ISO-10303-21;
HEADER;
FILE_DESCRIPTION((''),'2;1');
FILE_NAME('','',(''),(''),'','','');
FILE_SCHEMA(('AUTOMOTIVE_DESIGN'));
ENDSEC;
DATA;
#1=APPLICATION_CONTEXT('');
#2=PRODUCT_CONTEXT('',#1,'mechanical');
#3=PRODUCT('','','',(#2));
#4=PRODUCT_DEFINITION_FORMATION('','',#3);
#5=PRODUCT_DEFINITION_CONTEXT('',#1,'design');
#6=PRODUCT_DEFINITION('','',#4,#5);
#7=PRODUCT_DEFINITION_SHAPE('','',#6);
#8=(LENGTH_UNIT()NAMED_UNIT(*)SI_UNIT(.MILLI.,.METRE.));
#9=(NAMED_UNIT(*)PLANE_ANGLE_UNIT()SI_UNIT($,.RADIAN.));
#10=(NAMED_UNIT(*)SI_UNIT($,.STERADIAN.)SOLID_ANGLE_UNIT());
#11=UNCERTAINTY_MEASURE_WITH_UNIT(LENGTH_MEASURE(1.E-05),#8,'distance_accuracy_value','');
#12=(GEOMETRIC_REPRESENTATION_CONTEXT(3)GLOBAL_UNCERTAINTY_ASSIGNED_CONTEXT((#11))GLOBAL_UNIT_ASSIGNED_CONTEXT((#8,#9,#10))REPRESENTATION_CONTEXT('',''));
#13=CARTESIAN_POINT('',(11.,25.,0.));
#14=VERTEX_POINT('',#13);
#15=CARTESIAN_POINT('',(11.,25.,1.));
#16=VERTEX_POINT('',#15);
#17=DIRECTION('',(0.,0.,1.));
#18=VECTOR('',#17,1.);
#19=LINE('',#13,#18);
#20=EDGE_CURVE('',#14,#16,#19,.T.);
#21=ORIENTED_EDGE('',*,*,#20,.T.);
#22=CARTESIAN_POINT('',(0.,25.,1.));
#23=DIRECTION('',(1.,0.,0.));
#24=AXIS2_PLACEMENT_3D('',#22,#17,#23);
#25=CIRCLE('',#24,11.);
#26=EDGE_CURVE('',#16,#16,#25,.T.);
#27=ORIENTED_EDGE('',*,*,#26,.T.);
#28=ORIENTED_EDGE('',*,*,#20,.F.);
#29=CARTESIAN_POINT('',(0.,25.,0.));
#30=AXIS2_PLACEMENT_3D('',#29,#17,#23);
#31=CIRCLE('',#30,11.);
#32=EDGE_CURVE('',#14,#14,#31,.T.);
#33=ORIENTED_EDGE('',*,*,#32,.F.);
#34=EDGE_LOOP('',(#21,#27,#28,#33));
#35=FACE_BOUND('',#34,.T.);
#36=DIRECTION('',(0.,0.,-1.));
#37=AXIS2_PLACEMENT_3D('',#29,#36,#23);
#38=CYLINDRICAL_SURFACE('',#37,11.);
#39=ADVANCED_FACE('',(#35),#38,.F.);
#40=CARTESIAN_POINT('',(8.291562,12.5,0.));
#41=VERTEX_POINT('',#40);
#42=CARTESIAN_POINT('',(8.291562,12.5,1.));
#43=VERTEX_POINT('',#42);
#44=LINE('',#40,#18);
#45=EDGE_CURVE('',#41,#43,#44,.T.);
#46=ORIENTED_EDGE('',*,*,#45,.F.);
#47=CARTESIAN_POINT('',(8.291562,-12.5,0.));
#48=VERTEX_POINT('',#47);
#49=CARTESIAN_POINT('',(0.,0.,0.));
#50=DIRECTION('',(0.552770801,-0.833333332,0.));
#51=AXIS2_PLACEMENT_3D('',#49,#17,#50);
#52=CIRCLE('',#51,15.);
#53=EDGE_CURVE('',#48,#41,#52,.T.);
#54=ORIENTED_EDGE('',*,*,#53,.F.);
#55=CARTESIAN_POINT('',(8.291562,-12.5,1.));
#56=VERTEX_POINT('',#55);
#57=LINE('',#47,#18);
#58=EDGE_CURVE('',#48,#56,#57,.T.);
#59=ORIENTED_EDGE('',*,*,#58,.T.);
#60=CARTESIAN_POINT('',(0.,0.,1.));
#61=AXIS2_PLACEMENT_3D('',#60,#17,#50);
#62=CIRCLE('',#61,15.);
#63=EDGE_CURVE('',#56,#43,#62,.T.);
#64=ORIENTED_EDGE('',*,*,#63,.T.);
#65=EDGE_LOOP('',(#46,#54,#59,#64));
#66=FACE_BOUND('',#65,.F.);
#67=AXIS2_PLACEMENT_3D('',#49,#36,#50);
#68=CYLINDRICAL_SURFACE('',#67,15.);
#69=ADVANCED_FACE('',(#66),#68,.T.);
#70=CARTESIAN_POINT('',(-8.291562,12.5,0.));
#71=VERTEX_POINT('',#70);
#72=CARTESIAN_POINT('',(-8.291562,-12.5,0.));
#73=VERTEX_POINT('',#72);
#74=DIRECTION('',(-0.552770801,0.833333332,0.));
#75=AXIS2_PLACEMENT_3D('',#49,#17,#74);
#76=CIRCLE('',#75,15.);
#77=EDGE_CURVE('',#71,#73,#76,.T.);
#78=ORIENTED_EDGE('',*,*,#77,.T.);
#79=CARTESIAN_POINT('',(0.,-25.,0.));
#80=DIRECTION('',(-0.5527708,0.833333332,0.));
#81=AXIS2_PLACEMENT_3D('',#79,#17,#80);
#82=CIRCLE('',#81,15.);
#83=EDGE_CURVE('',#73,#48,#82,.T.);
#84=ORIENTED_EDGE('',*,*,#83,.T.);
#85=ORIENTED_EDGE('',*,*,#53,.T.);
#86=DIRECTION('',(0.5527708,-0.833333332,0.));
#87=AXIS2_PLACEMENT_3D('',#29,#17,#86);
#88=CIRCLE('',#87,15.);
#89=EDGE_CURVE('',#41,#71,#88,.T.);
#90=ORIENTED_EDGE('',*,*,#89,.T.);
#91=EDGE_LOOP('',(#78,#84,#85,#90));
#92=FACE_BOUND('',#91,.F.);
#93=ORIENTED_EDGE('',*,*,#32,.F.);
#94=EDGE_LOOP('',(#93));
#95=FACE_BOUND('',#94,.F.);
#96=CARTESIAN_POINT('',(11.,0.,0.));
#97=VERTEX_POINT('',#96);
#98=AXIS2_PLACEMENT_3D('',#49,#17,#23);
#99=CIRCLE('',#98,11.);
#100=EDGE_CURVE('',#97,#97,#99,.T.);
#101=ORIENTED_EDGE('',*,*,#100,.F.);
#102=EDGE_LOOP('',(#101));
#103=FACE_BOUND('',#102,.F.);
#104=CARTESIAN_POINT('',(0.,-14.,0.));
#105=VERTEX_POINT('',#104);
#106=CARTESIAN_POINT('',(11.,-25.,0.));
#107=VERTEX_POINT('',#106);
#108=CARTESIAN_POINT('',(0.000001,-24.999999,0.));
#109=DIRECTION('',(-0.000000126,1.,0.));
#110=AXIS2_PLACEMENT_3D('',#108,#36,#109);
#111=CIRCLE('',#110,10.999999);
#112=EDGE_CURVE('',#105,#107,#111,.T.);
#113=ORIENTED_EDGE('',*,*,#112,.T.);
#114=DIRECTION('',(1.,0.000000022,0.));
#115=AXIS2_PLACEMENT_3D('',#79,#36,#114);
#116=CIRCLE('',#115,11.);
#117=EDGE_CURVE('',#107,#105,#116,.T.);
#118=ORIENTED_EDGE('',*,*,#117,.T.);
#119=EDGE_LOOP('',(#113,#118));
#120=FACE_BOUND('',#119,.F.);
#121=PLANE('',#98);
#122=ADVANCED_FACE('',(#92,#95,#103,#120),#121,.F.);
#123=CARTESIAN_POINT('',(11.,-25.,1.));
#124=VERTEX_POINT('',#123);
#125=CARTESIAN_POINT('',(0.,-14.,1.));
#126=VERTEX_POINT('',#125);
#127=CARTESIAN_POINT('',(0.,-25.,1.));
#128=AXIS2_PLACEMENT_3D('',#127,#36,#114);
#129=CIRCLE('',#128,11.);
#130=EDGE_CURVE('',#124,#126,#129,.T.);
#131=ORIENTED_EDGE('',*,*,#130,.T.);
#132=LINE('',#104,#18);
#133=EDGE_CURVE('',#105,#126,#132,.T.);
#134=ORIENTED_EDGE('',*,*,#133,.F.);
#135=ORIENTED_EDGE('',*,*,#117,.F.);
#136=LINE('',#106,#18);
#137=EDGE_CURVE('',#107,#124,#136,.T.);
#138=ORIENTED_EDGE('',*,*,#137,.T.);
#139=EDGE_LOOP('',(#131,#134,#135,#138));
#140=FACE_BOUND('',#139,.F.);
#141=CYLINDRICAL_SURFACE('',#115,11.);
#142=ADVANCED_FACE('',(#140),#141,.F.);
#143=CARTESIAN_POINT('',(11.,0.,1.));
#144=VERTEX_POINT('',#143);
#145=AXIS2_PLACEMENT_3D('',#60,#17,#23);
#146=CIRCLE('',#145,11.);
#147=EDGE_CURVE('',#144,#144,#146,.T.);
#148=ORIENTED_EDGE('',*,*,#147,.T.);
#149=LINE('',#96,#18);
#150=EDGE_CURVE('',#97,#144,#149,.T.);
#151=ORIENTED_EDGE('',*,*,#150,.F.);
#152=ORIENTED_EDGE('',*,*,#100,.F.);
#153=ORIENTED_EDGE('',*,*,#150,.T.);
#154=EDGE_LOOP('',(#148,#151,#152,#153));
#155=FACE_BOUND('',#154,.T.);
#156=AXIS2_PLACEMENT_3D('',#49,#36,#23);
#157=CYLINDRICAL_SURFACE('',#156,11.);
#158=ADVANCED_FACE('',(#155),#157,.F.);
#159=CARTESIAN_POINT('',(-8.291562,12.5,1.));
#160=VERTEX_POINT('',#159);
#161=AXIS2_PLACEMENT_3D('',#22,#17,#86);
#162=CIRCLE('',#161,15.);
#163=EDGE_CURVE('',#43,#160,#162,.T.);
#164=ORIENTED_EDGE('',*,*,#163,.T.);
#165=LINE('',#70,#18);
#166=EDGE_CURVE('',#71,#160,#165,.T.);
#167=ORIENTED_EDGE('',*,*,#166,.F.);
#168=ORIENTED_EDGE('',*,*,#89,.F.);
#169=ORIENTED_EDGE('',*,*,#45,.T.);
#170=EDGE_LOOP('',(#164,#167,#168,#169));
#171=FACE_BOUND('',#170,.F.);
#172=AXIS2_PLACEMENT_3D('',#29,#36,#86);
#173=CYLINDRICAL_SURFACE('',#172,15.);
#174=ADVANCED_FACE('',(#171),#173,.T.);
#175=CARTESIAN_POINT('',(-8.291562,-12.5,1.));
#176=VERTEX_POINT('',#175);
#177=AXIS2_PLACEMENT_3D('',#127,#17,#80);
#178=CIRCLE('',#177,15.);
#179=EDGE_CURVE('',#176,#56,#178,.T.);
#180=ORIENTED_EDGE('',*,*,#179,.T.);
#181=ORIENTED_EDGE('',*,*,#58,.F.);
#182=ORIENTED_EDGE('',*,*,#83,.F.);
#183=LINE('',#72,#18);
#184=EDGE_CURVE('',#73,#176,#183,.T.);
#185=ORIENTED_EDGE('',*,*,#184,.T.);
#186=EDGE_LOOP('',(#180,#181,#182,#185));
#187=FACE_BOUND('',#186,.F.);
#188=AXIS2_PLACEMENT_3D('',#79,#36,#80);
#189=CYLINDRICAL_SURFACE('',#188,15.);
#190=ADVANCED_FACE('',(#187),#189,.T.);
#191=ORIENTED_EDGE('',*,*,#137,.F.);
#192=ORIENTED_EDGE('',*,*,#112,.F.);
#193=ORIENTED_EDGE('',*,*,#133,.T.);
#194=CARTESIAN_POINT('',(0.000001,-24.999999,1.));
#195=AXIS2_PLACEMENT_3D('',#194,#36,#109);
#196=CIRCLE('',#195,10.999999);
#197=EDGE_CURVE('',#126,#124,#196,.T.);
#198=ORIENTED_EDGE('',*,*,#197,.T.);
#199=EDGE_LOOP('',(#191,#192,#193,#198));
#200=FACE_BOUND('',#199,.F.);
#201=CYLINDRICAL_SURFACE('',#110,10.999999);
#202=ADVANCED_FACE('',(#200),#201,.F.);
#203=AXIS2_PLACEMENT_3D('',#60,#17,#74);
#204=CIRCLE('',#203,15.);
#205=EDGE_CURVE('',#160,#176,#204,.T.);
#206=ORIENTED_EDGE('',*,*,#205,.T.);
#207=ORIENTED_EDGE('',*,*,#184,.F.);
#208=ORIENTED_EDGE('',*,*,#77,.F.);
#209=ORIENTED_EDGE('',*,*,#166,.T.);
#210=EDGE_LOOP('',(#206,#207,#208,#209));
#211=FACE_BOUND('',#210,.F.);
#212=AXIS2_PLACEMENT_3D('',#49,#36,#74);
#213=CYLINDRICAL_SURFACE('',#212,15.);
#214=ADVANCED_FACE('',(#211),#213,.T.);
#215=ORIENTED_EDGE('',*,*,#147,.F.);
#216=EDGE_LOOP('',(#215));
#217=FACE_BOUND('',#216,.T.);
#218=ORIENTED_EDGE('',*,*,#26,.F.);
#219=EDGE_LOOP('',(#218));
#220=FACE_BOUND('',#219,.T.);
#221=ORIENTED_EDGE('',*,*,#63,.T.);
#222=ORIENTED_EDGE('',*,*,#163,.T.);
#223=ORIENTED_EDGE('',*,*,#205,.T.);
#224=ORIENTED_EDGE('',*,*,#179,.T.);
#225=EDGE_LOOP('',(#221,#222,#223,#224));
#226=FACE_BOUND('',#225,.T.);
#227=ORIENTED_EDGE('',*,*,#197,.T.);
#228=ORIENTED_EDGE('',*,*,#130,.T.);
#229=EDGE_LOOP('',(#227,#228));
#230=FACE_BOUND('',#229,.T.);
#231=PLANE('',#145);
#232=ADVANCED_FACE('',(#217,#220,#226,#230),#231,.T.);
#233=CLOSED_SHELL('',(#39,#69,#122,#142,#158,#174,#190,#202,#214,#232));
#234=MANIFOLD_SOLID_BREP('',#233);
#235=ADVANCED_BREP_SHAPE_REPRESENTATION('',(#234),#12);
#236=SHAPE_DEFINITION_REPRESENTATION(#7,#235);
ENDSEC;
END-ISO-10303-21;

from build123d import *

# Parameters (mm, degrees)
F0_R     = 11
F1_DEPTH = 1


with BuildPart() as f1:
    # F0 (on Top) → F1 (new body)
    with BuildSketch(Plane.XY):
        with BuildLine():
            ThreePointArc((8.291562, -12.5), (15, 0), (8.291562, 12.5))
            ThreePointArc((8.291562, 12.5), (0, 40), (-8.291562, 12.5))
            ThreePointArc((-8.291562, 12.5), (-15, 0), (-8.291562, -12.5))
            ThreePointArc((-8.291562, -12.5), (0, -40), (8.291562, -12.5))
        make_face()
        with BuildLine():
            ThreePointArc((0, -14), (7.778175, -17.221825), (11, -25))
            ThreePointArc((11, -25), (-7.778175, -32.778175), (0, -14))
        make_face(mode=Mode.SUBTRACT)
        Circle(F0_R, mode=Mode.SUBTRACT)
        with Locations((0, 25)):
            Circle(F0_R, mode=Mode.SUBTRACT)
    extrude(amount=F1_DEPTH)


solid = f1.part
